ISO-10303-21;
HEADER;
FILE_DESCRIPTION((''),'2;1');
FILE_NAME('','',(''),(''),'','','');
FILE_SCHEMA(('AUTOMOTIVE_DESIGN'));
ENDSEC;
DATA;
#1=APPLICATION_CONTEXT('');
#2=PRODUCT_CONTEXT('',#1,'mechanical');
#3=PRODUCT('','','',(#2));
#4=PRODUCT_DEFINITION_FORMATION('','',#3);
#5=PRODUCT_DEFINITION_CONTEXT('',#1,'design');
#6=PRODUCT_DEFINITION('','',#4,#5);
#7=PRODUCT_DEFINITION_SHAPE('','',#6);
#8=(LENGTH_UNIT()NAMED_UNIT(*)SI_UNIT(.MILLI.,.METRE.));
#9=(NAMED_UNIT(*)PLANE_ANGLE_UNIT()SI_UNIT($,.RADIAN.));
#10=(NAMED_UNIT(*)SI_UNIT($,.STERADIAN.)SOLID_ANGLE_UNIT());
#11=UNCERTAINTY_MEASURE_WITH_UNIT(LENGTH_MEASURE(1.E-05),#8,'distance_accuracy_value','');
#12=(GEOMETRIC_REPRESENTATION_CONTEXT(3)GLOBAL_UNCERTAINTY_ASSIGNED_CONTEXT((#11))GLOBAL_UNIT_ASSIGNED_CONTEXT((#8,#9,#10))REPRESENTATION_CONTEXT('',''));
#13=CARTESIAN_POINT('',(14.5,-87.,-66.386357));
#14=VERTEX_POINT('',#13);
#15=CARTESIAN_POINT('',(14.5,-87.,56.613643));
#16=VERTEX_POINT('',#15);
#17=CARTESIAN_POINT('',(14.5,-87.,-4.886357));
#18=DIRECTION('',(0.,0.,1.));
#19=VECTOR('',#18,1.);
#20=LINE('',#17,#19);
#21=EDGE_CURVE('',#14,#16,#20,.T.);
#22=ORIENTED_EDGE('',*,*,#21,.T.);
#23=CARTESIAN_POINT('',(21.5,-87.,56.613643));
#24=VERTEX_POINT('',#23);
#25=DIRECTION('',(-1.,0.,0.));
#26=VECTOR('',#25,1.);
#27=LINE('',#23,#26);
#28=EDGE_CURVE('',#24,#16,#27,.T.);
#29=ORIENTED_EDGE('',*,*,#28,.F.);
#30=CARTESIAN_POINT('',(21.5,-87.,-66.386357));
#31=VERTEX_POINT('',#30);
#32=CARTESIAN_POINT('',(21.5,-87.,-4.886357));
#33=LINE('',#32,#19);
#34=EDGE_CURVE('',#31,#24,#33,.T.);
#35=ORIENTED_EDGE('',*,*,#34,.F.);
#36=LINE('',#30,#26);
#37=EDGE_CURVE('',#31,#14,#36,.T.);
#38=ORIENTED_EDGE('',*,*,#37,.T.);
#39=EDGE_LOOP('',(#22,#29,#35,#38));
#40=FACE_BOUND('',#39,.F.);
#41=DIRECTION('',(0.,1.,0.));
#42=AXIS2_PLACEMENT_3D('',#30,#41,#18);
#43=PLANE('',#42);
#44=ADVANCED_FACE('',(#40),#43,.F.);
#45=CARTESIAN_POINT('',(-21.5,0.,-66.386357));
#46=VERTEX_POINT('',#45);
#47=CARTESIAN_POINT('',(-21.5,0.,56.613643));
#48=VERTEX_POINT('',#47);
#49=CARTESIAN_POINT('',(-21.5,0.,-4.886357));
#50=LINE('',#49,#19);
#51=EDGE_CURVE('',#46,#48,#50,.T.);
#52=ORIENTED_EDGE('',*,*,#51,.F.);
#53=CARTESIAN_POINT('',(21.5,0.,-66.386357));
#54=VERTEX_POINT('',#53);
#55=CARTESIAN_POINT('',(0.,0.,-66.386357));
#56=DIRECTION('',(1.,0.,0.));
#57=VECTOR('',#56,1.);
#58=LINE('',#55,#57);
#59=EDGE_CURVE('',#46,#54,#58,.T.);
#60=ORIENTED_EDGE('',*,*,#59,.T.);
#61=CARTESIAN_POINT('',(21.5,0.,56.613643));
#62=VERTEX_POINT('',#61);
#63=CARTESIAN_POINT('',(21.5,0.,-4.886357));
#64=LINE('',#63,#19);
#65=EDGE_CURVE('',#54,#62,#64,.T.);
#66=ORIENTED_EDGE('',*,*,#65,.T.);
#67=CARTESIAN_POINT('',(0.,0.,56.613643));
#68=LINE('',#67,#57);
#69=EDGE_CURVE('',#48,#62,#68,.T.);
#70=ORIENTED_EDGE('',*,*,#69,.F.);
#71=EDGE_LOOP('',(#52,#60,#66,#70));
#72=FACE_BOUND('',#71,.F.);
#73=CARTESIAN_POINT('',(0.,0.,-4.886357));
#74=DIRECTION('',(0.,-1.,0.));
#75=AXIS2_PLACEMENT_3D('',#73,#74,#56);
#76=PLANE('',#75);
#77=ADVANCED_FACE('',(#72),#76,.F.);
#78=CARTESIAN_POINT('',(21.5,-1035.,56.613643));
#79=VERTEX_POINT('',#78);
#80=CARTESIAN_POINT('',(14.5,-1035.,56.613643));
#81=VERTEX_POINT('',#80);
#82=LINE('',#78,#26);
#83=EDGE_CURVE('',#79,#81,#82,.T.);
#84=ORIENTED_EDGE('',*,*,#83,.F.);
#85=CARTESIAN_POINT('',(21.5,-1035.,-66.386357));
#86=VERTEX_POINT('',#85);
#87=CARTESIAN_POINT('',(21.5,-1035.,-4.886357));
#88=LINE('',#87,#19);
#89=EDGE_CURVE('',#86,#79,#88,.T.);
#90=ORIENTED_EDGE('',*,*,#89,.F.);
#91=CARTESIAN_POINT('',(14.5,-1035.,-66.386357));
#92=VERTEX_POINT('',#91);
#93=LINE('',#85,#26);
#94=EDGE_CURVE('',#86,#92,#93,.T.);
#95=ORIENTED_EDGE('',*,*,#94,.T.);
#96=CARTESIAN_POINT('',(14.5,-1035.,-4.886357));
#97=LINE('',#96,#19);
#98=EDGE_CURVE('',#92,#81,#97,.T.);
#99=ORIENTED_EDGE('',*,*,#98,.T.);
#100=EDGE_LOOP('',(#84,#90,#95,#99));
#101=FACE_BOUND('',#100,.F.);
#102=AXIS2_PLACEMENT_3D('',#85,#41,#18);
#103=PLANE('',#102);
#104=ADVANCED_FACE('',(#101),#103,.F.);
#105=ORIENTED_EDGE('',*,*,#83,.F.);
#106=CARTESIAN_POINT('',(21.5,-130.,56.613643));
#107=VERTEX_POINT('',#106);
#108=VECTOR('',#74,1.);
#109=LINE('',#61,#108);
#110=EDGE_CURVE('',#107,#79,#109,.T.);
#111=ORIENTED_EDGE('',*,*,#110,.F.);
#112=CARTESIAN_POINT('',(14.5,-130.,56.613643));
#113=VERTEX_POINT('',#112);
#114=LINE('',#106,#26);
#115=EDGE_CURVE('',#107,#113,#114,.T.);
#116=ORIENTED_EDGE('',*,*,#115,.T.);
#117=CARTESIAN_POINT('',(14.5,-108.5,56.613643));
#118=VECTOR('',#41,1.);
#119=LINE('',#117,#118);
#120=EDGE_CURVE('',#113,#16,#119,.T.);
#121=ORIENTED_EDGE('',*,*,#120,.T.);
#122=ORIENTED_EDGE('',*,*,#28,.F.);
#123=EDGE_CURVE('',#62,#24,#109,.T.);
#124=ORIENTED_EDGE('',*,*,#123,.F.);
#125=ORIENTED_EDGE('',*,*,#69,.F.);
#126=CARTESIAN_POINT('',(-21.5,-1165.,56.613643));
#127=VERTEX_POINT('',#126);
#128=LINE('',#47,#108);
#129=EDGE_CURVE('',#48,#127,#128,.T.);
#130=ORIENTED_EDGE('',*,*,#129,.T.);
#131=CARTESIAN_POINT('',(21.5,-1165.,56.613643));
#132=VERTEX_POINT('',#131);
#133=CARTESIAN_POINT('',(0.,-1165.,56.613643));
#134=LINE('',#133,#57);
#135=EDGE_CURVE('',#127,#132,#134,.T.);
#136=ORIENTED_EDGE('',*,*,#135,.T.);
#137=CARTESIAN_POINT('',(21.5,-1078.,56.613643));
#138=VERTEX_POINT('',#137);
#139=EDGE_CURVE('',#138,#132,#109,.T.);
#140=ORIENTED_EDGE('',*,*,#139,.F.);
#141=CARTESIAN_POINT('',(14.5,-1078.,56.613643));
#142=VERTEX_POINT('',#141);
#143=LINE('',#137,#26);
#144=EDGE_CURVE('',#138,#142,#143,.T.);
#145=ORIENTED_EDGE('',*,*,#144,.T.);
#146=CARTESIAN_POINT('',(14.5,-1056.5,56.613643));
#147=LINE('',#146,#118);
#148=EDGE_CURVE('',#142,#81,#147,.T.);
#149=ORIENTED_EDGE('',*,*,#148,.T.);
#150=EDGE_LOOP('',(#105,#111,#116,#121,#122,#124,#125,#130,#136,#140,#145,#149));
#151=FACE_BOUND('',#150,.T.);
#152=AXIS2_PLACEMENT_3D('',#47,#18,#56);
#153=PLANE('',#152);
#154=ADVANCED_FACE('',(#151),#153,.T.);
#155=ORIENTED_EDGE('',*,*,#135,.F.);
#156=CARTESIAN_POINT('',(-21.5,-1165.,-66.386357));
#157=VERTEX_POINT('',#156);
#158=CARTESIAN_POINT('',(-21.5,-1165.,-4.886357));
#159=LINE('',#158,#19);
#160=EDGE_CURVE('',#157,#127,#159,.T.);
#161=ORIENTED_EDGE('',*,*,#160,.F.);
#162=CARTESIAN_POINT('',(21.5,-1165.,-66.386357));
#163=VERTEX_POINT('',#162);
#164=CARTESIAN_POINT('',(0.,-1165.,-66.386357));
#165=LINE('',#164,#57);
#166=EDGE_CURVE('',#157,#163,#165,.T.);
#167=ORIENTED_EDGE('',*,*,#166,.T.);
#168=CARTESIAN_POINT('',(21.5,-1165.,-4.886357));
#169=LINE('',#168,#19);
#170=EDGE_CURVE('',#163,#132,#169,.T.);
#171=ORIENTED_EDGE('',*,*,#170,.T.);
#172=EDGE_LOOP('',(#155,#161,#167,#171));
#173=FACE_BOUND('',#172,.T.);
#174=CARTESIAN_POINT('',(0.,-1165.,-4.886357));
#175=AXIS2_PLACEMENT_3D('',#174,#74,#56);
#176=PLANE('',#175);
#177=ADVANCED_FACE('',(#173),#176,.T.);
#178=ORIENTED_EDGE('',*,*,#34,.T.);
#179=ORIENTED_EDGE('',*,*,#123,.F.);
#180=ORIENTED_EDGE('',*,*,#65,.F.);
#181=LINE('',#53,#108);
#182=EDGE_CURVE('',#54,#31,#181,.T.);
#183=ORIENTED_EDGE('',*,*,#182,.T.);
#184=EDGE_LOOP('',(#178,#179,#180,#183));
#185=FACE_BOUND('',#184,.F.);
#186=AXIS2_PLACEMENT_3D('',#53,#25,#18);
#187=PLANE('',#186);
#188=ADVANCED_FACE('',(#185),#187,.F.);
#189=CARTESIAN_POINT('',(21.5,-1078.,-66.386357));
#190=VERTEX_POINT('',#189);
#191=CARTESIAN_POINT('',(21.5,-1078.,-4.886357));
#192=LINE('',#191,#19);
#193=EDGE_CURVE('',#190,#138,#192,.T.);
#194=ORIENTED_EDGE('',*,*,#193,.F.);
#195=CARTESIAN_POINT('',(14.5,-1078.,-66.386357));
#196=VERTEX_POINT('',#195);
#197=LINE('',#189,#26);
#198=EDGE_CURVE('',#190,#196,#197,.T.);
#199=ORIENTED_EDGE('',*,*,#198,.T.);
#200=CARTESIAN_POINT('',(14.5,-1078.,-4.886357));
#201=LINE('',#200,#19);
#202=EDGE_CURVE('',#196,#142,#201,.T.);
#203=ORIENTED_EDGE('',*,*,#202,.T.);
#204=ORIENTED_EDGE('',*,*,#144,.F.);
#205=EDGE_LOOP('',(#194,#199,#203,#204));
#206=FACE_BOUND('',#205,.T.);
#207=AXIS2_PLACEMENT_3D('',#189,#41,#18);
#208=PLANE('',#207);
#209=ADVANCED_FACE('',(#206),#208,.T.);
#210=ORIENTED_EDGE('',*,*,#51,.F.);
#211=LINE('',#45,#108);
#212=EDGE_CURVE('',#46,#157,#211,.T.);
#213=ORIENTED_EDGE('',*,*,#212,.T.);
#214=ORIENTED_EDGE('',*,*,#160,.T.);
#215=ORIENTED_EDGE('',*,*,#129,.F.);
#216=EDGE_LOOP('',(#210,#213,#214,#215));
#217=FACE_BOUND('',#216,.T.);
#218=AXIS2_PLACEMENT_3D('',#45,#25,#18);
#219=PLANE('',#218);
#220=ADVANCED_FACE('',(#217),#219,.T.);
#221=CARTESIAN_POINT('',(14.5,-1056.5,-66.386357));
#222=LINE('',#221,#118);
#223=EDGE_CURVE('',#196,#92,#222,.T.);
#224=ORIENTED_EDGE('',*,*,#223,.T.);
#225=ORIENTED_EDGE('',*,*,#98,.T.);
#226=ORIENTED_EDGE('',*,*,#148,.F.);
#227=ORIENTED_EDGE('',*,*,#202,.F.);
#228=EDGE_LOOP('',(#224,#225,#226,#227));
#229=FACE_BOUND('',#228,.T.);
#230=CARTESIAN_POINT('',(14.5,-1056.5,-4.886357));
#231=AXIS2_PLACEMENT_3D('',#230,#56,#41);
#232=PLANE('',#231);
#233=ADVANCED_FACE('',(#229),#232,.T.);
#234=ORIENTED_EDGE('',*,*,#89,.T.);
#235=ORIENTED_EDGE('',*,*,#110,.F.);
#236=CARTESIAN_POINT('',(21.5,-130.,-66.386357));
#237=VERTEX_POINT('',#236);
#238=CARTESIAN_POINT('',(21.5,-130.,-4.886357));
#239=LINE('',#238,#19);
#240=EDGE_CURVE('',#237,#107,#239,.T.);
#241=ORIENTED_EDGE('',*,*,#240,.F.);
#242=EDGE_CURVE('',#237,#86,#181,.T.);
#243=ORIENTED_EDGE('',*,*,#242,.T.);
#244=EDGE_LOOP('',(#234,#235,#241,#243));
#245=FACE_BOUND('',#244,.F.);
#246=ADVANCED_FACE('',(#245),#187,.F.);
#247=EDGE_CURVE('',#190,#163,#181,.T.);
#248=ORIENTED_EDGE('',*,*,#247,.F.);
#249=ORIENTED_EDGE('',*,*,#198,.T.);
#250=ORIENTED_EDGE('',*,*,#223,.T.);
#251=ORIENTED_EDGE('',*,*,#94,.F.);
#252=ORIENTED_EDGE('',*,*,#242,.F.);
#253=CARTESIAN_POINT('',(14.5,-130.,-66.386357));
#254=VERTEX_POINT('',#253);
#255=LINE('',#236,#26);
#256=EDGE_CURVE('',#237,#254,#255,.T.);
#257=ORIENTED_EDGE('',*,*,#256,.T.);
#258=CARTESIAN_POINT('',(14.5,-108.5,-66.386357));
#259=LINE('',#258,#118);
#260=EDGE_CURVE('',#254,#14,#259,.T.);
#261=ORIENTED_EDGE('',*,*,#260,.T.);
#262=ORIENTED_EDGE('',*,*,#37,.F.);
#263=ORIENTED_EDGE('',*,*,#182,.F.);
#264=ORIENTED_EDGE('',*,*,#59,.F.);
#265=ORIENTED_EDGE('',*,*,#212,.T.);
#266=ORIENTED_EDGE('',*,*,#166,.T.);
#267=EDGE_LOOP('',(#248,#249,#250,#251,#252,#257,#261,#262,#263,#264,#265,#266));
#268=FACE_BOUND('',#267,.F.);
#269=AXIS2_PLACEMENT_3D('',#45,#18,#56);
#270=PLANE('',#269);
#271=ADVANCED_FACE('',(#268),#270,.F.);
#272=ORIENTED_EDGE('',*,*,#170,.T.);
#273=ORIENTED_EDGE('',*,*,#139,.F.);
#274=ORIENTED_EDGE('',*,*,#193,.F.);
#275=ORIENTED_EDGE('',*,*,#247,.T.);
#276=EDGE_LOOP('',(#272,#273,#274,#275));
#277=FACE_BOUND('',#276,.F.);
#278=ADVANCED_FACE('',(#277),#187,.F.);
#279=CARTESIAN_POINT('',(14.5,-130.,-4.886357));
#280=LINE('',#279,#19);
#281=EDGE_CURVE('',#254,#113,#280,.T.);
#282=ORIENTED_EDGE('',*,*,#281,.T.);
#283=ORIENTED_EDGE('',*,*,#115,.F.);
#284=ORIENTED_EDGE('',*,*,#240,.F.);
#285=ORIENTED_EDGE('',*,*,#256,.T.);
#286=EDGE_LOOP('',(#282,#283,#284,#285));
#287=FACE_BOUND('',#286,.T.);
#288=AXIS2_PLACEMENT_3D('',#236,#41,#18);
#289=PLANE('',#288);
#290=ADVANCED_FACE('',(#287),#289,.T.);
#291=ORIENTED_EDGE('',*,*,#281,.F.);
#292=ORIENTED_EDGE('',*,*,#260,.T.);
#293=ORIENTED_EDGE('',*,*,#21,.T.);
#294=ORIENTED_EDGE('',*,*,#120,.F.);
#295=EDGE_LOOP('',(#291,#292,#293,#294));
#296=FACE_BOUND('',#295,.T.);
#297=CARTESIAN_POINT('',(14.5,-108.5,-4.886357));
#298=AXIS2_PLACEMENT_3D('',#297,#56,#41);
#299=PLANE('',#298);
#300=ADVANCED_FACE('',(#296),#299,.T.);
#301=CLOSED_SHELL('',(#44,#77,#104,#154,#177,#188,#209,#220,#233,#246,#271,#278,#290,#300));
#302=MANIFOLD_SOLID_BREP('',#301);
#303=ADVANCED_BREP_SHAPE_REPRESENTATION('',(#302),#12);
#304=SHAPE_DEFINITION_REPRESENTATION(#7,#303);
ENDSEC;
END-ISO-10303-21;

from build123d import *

# Parameters (mm, degrees)
F0_W     = 43
F0_H     = 123
F1_DEPTH = 1165
F2_W     = 43
F2_H     = 123
F3_DEPTH = 7


with BuildPart() as f1:
    # F0 (on Front) → F1 (new body)
    with BuildSketch(Plane.XZ):
        with Locations((0, -4.886357)):
            Rectangle(F0_W, F0_H)
    extrude(amount=F1_DEPTH)

    # F2 (on face) → F3 (cut)
    with BuildSketch(Plane.YZ.offset(21.5)):
        with Locations((-1056.5, -4.886357)):
            Rectangle(F2_W, F2_H)
        with Locations((-108.5, -4.886357)):
            Rectangle(F2_W, F2_H)
    extrude(amount=-F3_DEPTH, mode=Mode.SUBTRACT)


solid = f1.part
